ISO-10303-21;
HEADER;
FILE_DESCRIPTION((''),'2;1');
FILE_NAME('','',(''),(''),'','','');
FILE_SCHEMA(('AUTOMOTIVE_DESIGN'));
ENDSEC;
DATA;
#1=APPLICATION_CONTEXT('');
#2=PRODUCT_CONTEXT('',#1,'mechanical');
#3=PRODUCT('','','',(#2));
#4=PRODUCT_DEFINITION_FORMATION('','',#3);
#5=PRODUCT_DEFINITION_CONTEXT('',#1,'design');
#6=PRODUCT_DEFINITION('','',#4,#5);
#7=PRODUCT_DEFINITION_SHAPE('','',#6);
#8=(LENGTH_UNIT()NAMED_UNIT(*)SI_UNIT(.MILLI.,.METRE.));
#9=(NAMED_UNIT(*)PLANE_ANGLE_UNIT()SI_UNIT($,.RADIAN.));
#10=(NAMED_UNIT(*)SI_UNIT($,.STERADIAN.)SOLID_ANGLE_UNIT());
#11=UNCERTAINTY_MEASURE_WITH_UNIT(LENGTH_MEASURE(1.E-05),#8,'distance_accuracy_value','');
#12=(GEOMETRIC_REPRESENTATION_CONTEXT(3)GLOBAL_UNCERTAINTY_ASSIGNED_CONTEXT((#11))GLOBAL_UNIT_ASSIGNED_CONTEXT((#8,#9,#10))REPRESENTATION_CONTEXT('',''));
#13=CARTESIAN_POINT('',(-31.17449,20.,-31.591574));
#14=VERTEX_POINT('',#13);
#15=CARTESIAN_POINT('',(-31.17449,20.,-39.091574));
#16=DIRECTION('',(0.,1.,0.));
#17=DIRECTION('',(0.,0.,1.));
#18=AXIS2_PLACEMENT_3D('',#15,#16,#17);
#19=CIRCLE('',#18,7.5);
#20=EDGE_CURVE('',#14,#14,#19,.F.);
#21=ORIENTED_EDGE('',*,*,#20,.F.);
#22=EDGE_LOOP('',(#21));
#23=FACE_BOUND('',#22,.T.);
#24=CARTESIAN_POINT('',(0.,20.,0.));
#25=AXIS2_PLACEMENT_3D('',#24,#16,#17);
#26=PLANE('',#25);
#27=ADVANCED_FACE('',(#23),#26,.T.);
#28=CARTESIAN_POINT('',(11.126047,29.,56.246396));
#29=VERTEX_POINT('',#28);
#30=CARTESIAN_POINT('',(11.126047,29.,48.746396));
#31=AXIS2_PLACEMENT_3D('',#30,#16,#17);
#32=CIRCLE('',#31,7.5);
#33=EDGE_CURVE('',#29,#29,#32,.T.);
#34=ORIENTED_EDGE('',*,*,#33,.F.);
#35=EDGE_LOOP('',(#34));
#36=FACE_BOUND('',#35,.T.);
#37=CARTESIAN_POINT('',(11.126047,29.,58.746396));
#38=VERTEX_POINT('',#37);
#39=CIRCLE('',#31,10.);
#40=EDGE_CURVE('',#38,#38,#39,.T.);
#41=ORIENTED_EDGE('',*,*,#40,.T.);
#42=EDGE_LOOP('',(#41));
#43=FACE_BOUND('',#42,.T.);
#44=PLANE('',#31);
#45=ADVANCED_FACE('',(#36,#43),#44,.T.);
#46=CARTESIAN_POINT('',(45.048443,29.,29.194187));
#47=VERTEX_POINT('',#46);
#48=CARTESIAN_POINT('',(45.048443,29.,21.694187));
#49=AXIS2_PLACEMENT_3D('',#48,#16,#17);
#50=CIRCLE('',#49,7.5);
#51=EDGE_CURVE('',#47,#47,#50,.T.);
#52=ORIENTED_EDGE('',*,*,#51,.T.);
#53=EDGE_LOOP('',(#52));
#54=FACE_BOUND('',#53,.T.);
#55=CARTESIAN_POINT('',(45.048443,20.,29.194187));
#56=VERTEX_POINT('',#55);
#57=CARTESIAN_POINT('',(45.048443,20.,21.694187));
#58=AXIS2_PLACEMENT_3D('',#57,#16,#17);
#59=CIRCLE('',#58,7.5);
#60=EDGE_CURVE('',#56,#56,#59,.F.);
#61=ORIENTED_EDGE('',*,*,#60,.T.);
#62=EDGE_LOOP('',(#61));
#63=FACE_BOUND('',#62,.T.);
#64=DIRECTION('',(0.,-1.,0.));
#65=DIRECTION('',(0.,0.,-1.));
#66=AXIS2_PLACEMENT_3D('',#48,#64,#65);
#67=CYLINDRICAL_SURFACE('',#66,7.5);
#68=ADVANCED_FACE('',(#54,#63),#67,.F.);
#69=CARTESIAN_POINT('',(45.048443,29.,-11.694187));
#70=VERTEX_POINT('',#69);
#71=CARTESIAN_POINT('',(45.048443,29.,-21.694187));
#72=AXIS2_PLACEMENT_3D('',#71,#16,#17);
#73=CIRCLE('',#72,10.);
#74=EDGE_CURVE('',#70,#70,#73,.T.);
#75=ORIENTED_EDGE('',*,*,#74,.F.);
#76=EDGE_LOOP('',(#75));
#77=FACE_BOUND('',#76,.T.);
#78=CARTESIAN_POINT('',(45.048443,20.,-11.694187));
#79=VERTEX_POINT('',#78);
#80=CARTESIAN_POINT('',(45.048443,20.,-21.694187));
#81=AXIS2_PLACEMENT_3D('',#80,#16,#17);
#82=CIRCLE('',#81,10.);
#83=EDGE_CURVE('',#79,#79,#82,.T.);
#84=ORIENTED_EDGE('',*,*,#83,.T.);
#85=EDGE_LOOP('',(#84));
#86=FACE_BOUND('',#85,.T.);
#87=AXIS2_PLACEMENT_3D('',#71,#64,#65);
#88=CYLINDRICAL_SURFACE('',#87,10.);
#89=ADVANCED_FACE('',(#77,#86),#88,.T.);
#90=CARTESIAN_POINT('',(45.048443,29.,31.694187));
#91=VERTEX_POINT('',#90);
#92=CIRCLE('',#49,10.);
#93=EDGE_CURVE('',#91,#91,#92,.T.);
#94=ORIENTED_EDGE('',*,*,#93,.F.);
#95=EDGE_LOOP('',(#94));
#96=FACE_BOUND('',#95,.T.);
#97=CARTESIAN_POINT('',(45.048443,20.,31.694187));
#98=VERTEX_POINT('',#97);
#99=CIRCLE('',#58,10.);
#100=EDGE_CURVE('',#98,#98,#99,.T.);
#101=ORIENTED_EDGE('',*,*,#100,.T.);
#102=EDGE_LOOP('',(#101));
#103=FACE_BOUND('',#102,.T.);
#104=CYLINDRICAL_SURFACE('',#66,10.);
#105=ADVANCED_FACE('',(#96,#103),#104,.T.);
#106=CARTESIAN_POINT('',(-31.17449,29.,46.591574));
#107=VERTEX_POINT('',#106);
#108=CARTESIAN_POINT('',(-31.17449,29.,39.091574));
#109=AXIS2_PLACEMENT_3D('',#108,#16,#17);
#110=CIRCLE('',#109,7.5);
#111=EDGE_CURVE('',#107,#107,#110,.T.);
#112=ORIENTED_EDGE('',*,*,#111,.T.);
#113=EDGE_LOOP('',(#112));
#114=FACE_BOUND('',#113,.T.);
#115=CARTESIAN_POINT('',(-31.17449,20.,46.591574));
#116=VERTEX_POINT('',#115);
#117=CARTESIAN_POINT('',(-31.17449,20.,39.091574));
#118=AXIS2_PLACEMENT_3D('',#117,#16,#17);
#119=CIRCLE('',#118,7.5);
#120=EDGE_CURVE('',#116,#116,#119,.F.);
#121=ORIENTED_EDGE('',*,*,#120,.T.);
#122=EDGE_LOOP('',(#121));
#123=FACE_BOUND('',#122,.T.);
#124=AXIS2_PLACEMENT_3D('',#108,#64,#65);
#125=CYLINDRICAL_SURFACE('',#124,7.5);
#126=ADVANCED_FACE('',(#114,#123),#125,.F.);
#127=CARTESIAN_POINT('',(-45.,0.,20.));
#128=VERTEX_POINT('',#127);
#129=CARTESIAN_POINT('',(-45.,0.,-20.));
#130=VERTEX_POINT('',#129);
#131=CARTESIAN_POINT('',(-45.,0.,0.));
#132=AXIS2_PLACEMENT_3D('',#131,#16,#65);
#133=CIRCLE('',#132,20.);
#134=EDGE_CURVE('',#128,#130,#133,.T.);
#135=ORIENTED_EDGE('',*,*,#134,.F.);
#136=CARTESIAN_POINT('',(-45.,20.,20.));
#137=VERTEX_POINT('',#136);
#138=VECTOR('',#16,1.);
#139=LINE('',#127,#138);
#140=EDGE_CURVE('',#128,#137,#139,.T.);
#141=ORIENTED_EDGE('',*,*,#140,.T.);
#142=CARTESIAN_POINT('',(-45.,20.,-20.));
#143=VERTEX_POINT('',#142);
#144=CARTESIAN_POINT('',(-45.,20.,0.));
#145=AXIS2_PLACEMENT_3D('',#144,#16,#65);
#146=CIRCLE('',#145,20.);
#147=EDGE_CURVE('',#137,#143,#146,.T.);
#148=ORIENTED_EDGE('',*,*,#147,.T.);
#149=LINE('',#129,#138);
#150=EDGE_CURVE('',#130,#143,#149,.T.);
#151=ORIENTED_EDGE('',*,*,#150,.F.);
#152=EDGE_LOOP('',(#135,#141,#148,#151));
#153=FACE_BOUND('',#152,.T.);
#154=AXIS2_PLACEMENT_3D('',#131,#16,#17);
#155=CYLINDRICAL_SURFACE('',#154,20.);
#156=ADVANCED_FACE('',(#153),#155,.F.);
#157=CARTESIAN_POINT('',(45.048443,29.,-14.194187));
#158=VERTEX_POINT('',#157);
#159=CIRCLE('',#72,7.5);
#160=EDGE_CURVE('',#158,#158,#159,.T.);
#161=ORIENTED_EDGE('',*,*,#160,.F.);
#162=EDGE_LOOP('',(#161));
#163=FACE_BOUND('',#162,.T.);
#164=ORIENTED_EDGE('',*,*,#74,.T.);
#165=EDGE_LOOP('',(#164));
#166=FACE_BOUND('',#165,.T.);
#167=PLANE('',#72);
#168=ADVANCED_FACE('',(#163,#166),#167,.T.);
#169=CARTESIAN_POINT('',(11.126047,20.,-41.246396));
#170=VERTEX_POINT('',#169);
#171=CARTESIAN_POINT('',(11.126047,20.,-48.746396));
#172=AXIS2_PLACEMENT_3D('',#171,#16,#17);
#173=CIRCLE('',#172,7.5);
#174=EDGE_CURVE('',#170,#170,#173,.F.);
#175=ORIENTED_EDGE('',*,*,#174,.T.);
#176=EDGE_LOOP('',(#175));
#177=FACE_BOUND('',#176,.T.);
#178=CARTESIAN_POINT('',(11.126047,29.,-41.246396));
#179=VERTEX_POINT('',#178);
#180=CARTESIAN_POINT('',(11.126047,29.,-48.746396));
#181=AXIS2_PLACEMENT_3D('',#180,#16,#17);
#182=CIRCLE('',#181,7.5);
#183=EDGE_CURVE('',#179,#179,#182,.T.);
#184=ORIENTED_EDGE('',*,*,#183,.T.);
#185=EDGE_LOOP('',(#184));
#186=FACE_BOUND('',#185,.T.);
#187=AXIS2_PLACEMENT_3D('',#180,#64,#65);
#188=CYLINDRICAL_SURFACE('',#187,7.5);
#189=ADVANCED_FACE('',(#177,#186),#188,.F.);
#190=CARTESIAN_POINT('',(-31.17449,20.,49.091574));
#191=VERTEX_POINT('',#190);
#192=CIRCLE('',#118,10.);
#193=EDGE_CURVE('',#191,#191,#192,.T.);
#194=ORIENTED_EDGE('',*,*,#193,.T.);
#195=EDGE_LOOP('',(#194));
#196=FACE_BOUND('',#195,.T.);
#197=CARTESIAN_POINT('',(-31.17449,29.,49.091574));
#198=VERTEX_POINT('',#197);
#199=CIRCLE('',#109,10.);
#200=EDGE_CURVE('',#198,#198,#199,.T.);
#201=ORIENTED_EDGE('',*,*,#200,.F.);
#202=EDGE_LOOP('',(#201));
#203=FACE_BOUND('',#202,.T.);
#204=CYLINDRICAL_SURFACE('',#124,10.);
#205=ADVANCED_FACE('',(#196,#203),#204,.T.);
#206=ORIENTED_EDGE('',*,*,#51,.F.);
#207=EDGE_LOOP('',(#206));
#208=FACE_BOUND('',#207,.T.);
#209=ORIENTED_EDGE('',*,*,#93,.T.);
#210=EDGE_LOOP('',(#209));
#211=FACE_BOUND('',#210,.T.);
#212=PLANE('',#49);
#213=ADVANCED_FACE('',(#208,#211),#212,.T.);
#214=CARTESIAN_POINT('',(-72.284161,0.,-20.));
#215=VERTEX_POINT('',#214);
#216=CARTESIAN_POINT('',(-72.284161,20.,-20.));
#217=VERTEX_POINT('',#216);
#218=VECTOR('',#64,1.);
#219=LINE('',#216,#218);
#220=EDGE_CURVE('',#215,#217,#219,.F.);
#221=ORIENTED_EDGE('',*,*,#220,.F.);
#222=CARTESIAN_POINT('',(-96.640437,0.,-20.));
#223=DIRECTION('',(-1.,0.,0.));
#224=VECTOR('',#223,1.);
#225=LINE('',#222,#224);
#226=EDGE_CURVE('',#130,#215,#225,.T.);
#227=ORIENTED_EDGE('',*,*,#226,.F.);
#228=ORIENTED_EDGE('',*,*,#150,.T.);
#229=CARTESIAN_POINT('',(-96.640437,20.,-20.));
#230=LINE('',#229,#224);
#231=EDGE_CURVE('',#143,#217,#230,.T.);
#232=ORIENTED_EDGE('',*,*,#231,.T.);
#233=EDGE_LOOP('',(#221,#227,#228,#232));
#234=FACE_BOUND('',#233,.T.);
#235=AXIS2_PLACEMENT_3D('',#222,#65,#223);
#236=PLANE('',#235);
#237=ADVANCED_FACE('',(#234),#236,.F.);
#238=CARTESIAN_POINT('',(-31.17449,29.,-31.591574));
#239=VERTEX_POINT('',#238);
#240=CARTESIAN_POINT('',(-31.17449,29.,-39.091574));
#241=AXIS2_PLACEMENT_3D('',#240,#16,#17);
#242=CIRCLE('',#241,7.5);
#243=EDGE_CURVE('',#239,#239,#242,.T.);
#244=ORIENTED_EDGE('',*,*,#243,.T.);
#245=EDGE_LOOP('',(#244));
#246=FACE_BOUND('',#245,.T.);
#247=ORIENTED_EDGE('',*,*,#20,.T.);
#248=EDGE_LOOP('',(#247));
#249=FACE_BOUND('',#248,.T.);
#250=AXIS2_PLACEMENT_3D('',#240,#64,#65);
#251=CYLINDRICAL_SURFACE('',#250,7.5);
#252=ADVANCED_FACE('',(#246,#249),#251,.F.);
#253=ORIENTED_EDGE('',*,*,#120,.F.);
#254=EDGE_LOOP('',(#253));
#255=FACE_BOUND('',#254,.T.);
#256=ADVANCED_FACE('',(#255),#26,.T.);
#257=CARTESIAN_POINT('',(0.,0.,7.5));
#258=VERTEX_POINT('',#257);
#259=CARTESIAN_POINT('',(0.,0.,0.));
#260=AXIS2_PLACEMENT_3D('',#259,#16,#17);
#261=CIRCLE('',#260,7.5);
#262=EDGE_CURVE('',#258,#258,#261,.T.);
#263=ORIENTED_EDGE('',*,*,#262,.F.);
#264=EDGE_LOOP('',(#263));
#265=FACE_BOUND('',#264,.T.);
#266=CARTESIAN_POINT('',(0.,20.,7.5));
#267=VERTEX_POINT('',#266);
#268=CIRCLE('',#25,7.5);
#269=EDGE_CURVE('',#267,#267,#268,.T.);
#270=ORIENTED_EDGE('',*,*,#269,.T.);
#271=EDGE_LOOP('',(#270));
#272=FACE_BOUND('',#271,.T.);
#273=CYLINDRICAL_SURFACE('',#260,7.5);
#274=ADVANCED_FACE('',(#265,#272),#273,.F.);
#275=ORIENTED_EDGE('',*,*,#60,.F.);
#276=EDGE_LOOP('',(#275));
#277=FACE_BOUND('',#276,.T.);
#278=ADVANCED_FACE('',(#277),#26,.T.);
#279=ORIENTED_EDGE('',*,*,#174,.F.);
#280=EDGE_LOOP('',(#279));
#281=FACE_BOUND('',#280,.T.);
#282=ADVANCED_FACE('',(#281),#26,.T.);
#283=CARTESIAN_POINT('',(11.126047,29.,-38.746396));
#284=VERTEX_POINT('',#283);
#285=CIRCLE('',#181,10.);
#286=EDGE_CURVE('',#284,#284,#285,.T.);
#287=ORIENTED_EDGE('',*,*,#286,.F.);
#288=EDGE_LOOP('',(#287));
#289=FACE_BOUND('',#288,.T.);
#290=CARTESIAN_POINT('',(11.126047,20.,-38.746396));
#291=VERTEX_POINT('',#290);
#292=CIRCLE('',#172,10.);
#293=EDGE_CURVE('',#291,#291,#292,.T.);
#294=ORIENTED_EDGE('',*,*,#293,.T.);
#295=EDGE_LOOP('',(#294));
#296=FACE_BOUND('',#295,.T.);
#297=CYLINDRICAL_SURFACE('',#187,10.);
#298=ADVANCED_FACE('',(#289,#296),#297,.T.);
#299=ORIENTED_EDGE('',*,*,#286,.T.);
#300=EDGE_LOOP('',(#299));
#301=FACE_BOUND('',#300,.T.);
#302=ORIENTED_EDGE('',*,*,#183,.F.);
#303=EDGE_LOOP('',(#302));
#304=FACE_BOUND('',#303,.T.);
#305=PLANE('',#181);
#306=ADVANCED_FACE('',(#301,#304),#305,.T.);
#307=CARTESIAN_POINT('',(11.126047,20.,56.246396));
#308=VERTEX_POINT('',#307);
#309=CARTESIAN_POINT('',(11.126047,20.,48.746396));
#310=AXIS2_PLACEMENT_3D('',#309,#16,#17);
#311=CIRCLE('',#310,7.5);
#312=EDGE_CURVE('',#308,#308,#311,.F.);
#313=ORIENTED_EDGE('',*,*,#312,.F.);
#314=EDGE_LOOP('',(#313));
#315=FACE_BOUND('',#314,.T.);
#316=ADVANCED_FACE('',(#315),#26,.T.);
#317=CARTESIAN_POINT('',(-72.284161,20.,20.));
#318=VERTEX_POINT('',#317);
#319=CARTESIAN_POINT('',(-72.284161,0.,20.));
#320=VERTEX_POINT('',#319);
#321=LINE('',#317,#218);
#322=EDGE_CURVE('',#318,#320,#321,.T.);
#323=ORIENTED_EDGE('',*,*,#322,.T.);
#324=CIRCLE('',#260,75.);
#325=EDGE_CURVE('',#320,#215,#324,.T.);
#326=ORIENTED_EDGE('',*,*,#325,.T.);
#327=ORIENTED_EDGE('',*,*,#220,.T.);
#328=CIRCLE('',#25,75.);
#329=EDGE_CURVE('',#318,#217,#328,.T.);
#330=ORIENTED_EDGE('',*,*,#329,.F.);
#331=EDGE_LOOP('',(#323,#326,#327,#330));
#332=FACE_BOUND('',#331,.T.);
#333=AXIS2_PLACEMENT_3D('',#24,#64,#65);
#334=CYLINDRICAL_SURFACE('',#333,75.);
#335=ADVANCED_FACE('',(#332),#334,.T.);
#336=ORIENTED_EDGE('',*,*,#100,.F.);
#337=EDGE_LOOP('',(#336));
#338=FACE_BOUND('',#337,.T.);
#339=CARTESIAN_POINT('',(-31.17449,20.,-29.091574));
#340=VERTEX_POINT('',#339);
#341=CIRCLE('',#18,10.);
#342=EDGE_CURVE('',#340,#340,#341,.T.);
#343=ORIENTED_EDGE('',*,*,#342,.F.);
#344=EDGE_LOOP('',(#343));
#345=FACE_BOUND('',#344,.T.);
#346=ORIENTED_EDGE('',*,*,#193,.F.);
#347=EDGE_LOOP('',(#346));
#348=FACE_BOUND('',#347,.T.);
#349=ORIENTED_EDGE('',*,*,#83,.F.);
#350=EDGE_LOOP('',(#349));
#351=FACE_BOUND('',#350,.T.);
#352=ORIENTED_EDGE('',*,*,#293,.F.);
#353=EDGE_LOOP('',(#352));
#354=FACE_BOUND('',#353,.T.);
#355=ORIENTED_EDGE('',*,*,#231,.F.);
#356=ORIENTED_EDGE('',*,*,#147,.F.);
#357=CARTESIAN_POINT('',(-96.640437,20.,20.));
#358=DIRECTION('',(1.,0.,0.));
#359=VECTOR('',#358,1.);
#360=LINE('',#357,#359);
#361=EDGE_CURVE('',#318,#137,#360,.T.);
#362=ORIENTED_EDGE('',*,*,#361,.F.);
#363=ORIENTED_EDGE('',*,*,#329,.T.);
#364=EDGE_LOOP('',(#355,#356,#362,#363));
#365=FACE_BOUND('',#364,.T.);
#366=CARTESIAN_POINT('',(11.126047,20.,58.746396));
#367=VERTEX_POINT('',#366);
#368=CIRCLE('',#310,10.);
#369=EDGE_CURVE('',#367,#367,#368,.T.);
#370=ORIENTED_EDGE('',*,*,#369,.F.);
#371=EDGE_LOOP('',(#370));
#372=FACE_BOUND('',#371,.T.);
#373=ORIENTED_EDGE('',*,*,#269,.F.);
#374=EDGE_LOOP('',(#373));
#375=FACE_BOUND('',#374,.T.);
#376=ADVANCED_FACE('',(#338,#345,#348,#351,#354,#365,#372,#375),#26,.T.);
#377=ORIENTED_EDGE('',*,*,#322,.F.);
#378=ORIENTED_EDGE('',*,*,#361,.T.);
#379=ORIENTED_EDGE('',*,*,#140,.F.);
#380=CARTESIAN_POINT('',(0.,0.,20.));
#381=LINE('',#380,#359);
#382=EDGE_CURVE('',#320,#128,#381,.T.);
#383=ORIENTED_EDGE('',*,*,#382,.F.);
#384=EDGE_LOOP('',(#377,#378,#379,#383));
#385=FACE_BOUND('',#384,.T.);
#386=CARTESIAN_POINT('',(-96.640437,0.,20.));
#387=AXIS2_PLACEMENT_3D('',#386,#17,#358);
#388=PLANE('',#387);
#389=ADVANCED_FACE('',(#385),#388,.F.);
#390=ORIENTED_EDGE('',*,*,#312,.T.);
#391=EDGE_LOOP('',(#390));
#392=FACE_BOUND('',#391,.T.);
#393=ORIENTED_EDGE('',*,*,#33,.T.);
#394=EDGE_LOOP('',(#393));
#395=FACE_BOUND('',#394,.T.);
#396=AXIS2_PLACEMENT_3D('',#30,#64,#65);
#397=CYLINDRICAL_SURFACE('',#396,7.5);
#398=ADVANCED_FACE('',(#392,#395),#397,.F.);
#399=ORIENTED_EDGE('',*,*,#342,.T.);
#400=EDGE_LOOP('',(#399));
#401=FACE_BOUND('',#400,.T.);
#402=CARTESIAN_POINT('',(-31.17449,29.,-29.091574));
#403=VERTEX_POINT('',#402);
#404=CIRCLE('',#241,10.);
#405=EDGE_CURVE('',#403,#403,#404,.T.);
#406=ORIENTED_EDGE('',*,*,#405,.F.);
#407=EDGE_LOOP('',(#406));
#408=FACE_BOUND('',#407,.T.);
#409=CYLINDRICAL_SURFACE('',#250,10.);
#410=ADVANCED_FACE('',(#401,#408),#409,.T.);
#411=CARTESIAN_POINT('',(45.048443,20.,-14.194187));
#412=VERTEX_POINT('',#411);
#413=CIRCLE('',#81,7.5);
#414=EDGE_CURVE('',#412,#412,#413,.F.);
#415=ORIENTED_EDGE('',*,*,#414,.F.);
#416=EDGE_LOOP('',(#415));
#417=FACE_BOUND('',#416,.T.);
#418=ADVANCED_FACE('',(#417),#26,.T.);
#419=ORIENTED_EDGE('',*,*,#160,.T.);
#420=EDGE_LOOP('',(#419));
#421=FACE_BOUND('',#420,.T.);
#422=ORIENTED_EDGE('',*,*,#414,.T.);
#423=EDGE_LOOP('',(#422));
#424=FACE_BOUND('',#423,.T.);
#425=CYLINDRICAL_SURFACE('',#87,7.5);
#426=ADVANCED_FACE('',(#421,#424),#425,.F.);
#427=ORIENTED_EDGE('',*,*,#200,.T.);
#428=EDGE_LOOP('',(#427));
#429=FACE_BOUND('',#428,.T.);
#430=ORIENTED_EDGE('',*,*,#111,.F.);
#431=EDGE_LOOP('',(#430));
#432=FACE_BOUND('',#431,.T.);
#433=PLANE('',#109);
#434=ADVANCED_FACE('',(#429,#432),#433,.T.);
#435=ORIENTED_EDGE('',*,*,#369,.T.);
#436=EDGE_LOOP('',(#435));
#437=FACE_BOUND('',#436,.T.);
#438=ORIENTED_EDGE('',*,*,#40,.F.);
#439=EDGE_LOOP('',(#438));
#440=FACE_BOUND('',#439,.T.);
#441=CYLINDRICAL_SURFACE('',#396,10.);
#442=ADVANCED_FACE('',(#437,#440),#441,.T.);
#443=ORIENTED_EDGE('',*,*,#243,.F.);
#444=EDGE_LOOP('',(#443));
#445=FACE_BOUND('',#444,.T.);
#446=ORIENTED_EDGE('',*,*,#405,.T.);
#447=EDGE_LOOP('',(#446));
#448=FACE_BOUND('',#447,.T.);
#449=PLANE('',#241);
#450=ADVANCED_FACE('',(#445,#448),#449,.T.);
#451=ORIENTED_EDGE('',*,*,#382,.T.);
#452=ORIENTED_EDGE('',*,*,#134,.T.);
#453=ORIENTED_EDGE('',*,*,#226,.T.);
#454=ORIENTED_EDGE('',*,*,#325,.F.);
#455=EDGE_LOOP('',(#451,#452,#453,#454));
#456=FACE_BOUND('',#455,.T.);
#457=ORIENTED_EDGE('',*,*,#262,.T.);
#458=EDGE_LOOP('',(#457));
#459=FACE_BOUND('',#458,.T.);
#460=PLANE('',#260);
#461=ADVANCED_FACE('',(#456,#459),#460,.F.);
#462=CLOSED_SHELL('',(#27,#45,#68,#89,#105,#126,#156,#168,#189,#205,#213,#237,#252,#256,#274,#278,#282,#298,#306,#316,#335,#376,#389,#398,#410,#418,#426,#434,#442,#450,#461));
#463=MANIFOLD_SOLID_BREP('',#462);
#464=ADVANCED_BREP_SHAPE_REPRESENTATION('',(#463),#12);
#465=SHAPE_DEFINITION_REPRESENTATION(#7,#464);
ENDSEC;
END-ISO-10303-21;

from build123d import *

# Parameters (mm, degrees)
SKETCH1_R           = 75
BOSS_EXTRUDE1_DEPTH = 20
SKETCH2_R           = 10
SKETCH2_R_2         = 7.5
BOSS_EXTRUDE2_DEPTH = 9
SKETCH3_R           = 7.5
CUT_EXTRUDE1_DEPTH  = 20
SKETCH4_R           = 15.621868033
CUT_EXTRUDE2_DEPTH  = 60


with BuildPart() as part:
    # Sketch1 → Boss-Extrude1 (new body)
    with BuildSketch(Plane(origin=(0, 0, 0), x_dir=(1, 0, 0), z_dir=(0, 1, 0))):
        Circle(SKETCH1_R)
    extrude(amount=BOSS_EXTRUDE1_DEPTH)

    # Sketch2 → Boss-Extrude2 (add)
    with BuildSketch(Plane(origin=(0, 20, 0), x_dir=(1, 0, 0), z_dir=(0, 1, 0))):
        with Locations((-50, 0)):
            Circle(SKETCH2_R)
        with Locations((-50, 0)):
            Circle(SKETCH2_R_2, mode=Mode.SUBTRACT)
        with Locations((-31.174490093, 39.091574123)):
            Circle(SKETCH2_R)
        with Locations((-31.174490093, 39.091574123)):
            Circle(SKETCH2_R_2, mode=Mode.SUBTRACT)
        with Locations((11.126046698, 48.746395609)):
            Circle(SKETCH2_R)
        with Locations((11.126046698, 48.746395609)):
            Circle(SKETCH2_R_2, mode=Mode.SUBTRACT)
        with Locations((45.048443395, 21.694186956)):
            Circle(SKETCH2_R)
        with Locations((45.048443395, 21.694186956)):
            Circle(SKETCH2_R_2, mode=Mode.SUBTRACT)
        with Locations((45.048443395, -21.694186956)):
            Circle(SKETCH2_R)
        with Locations((45.048443395, -21.694186956)):
            Circle(SKETCH2_R_2, mode=Mode.SUBTRACT)
        with Locations((11.126046698, -48.746395609)):
            Circle(SKETCH2_R)
        with Locations((11.126046698, -48.746395609)):
            Circle(SKETCH2_R_2, mode=Mode.SUBTRACT)
        with Locations((-31.174490093, -39.091574123)):
            Circle(SKETCH2_R)
        with Locations((-31.174490093, -39.091574123)):
            Circle(SKETCH2_R_2, mode=Mode.SUBTRACT)
    extrude(amount=BOSS_EXTRUDE2_DEPTH)

    # Sketch3 → Cut-Extrude1 (cut)
    with BuildSketch(Plane(origin=(0, 20, 0), x_dir=(1, 0, 0), z_dir=(0, 1, 0))):
        Circle(SKETCH3_R)
        with BuildLine():
            Line((-96.640436965, 20), (-45, 20))
            ThreePointArc((-45, 20), (-25, 0), (-45, -20))
            Line((-45, -20), (-96.640436965, -20))
            Line((-96.640436965, -20), (-96.640436965, 20))
        make_face()
    extrude(amount=-CUT_EXTRUDE1_DEPTH, mode=Mode.SUBTRACT)

    # Sketch4 → Cut-Extrude2 (cut)
    with BuildSketch(Plane(origin=(0, 0, 0), x_dir=(1, 0, 0), z_dir=(0, 1, 0))):
        with Locations((-50, 0)):
            Circle(SKETCH4_R)
    extrude(amount=CUT_EXTRUDE2_DEPTH, mode=Mode.SUBTRACT)


solid = part.part
